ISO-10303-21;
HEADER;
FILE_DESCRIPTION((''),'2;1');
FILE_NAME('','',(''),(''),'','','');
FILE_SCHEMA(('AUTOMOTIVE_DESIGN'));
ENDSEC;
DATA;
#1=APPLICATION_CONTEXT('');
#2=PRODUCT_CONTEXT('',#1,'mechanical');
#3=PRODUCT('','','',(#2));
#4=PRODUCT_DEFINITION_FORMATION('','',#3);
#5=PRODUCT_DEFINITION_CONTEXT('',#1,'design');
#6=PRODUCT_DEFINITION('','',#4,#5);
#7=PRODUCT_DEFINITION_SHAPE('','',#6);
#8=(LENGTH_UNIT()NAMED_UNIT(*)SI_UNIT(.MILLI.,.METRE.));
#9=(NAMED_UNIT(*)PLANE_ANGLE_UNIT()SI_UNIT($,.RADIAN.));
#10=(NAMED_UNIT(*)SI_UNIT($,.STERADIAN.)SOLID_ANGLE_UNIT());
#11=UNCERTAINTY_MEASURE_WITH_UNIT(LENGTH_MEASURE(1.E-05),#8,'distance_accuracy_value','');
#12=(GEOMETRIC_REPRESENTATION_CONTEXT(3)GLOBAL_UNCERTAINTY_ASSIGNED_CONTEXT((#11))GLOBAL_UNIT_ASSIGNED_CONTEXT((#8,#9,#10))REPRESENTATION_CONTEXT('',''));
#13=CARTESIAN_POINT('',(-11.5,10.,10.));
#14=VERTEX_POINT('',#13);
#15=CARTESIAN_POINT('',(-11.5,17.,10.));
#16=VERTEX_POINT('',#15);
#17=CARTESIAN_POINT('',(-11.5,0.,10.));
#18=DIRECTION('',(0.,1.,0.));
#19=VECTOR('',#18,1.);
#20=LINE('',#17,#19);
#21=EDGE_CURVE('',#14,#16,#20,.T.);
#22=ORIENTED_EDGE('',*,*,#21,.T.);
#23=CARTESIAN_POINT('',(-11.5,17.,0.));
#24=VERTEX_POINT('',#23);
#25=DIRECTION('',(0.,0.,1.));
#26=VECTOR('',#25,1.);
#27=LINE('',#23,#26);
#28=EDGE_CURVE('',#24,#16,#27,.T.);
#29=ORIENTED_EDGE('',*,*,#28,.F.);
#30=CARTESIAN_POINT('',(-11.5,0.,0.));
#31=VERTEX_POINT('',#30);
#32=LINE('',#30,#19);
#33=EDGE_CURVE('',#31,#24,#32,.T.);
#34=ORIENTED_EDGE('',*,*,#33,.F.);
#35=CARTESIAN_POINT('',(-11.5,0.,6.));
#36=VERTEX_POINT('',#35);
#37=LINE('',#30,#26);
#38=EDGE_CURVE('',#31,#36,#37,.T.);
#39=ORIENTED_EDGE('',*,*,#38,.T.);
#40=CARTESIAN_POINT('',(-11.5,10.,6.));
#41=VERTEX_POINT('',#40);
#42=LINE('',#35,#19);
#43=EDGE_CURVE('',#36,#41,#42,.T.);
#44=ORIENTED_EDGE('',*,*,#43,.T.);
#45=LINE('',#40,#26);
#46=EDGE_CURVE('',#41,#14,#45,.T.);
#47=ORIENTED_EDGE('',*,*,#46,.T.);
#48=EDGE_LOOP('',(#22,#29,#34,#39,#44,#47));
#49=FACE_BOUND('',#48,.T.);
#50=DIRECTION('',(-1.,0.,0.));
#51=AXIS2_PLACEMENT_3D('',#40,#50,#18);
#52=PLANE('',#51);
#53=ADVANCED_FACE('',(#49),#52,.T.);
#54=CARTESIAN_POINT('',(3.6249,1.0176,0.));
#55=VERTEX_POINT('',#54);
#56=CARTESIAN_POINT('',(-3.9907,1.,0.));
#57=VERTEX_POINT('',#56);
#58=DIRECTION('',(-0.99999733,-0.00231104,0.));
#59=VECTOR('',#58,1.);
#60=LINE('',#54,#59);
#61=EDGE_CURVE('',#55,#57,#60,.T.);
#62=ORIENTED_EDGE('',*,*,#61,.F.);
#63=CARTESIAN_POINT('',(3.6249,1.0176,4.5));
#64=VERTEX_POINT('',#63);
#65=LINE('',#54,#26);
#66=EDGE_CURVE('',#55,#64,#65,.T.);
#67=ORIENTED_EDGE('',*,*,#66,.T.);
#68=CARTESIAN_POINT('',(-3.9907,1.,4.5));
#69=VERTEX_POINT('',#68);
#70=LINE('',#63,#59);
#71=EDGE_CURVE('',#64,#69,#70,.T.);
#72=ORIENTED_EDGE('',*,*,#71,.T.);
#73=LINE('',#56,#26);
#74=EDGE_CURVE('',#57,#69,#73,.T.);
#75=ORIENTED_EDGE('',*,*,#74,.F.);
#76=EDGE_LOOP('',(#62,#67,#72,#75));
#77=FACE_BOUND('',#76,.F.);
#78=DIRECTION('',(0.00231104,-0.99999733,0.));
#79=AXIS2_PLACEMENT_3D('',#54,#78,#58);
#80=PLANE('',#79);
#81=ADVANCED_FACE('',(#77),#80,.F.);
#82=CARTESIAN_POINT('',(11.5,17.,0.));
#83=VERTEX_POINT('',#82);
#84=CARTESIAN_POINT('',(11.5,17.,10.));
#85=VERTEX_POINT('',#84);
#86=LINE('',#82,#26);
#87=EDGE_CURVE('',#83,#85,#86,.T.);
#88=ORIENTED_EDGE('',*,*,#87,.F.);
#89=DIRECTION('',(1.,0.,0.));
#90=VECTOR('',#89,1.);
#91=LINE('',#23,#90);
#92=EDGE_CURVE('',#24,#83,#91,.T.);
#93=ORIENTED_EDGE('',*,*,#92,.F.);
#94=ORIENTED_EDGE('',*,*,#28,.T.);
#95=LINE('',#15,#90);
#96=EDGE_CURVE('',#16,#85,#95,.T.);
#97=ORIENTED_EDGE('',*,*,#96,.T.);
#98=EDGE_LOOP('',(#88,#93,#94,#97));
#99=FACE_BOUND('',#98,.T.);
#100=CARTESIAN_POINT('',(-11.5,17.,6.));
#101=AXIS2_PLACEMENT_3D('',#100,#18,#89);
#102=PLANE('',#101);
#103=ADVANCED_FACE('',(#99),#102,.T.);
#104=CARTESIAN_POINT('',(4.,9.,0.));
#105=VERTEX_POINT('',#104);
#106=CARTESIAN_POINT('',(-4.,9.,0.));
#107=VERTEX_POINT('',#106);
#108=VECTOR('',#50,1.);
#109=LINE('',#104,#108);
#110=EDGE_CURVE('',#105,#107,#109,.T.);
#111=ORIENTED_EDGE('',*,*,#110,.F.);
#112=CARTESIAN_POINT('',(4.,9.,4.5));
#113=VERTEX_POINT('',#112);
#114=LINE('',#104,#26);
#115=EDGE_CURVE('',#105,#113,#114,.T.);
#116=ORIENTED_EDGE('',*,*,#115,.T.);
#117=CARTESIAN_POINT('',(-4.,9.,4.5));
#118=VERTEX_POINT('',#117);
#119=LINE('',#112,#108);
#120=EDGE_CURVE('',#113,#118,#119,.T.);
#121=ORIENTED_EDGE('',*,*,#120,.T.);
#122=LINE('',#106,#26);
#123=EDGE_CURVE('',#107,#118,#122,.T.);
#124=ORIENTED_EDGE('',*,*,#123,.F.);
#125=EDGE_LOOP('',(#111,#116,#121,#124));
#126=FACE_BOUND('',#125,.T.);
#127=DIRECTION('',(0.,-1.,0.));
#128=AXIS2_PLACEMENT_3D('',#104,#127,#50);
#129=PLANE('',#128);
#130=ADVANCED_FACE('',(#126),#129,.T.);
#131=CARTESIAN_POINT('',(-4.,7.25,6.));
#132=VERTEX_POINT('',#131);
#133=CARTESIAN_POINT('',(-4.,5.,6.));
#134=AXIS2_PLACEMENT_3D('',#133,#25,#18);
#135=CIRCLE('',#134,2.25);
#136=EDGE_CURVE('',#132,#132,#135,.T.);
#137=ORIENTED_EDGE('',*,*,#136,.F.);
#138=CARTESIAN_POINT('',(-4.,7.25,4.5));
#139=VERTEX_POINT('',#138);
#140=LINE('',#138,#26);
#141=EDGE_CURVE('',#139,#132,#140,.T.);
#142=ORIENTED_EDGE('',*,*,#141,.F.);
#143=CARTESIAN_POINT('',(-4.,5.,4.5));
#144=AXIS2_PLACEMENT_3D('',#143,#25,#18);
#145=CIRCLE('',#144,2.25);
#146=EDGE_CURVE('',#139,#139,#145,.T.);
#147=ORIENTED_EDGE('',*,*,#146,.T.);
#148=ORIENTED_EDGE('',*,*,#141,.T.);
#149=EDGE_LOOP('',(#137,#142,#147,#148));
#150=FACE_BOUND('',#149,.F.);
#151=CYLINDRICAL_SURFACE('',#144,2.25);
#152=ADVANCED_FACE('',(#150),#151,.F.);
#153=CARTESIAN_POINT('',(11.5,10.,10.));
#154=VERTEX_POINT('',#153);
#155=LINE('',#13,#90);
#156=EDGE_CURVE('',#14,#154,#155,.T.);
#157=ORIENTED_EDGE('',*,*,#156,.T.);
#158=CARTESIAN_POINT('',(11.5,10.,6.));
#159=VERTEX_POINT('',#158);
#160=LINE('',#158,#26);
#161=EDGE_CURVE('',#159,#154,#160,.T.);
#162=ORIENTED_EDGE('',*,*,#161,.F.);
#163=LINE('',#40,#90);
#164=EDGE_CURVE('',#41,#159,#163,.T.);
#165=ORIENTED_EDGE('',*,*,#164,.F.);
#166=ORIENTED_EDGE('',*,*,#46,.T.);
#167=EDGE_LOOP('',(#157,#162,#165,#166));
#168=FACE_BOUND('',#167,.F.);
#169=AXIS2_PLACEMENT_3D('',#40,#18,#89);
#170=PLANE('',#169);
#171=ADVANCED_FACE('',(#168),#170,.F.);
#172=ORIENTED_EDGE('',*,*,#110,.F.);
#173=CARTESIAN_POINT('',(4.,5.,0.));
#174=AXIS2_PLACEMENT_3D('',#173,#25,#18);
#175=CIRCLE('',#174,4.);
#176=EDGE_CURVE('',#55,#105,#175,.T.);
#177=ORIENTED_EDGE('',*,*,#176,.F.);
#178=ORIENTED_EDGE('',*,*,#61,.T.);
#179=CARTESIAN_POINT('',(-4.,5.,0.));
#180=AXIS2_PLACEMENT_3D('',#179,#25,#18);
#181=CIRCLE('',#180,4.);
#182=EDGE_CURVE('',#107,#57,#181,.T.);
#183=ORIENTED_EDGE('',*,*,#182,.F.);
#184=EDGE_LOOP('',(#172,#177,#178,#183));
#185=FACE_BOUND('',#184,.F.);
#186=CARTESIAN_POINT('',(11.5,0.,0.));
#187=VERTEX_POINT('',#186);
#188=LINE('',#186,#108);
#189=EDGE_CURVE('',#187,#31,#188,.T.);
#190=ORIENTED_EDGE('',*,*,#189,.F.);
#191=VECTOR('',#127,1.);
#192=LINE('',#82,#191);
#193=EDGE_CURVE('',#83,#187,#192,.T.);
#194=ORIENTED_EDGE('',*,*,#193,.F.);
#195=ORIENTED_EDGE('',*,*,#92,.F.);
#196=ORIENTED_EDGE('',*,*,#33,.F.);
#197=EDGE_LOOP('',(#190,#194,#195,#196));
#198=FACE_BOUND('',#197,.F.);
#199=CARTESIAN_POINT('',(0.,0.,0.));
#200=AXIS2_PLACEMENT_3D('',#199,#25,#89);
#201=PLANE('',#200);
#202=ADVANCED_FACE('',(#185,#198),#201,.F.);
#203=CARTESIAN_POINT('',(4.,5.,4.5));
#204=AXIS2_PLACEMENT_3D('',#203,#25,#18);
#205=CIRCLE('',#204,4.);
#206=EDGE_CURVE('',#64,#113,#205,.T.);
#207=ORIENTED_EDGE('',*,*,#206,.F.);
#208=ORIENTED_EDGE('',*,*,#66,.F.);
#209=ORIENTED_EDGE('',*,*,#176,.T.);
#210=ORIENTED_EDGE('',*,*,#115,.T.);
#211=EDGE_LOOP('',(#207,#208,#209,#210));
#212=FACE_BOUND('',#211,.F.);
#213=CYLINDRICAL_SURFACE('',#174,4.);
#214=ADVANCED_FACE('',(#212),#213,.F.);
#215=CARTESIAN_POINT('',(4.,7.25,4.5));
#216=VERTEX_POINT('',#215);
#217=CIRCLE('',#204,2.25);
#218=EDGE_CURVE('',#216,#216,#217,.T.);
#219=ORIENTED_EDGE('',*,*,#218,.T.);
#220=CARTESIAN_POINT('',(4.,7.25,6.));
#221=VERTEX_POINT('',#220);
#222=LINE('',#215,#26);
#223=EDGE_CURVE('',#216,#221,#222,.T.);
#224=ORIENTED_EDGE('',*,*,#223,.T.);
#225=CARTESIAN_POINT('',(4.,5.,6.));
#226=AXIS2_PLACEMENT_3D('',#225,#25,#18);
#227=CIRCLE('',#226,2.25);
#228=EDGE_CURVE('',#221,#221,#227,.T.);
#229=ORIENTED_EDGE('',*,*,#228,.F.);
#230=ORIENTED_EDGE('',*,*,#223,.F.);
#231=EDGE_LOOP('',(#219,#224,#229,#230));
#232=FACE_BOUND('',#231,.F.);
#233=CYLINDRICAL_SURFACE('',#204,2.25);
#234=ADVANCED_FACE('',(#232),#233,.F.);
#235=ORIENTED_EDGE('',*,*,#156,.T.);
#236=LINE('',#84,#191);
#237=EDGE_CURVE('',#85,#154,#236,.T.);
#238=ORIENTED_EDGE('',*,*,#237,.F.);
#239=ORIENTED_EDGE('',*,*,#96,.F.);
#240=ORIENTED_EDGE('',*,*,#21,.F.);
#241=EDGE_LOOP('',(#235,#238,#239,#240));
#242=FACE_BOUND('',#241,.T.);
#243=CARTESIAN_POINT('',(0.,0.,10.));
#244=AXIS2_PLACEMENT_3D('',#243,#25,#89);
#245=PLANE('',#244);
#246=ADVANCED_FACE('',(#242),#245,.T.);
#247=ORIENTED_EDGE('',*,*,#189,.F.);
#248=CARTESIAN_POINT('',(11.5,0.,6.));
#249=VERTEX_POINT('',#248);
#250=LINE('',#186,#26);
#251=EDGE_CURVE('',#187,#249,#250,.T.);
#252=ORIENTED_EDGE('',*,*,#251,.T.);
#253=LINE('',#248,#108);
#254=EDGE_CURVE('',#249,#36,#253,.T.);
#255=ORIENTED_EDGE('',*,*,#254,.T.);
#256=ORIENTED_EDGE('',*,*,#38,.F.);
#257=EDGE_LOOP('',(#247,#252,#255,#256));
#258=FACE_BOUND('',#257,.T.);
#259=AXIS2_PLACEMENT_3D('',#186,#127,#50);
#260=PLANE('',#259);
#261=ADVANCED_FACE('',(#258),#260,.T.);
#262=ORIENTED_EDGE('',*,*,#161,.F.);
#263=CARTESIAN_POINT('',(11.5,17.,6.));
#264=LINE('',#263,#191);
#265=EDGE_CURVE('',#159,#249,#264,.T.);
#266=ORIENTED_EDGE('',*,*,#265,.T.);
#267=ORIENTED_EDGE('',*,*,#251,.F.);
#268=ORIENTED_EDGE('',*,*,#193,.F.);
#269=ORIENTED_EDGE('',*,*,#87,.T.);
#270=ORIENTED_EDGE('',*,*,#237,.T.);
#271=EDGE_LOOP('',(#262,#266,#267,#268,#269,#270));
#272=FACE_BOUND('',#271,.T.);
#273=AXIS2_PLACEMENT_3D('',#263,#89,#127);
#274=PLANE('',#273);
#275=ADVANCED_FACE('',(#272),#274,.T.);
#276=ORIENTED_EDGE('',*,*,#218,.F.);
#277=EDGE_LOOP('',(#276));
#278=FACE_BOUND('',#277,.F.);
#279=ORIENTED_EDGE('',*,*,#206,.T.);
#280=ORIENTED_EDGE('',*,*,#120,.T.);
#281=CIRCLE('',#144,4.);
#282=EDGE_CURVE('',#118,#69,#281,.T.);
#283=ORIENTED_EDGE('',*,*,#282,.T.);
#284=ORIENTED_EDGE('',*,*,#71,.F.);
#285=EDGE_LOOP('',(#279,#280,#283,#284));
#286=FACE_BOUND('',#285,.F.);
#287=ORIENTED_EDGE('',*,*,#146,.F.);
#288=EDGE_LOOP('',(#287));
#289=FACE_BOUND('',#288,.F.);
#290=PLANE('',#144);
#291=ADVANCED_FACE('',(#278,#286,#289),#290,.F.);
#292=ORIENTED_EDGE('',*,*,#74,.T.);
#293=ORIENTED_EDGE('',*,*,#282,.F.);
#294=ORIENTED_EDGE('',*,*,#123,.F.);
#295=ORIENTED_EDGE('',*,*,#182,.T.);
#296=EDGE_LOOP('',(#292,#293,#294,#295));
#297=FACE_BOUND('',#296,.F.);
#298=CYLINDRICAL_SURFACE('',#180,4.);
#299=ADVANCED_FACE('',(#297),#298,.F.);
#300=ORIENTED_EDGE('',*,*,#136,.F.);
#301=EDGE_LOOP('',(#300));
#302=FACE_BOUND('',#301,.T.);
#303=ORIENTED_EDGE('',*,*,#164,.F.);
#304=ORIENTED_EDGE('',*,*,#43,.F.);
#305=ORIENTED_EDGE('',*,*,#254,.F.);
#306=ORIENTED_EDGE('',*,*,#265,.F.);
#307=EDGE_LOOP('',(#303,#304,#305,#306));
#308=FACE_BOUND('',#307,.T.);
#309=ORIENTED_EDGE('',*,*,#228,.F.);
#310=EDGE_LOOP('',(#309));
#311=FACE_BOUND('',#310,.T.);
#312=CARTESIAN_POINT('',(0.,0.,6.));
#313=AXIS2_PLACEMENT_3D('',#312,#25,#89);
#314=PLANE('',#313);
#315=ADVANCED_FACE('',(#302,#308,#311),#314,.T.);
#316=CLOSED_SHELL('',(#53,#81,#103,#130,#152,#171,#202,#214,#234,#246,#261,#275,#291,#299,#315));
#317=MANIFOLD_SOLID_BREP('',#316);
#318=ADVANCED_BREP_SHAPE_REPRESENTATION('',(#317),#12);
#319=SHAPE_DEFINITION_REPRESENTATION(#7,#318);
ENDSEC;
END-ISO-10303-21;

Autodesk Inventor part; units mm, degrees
ref_plane "YZ Plane" through (0, 0, 0) normal (1, 0, 0) x (0, 1, 0)
ref_plane "XZ Plane" through (0, 0, 0) normal (0, 1, 0) x (-1, 0, 0)
ref_plane "XY Plane" through (0, 0, 0) normal (0, 0, 1) x (1, 0, 0)
sketch "スケッチ1" plane through (0, 0, 0) normal (0, 0, 1) x (1, 0, 0)
  line L0 (-11.5, 17) -> (11.5, 17)
  line L1 (11.5, 17) -> (11.5, 0)
  line L2 (11.5, 0) -> (-11.5, 0)
  line L3 (-11.5, 0) -> (-11.5, 17)
  point P0 (0, 0)
  point P1 (0, 0)
  dimension "d0" = 23
  dimension "d1" = 17
extrude "押し出し1" add sketch "スケッチ1" along normal blind 6
sketch "スケッチ5" plane through (0, 0, 0) normal (0, 0, -1) x (-1, 0, 0)
  line L0 (-11.5, 0) -> (11.5, 0) projected
  point P0 (0, 0)
  point P1 (-4, 5)
  point P2 (4, 5)
  dimension "d13" = 4
  dimension "d14" = 4
  dimension "d15" = 5
hole "穴1" at (4, 5, 0) at (-4, 5, 0) direction (0, 0, 1) diameter 4.5 end through all counterbore diameter 8 counterbore depth 4.5
sketch "スケッチ6" plane through (0, 0, 0) normal (0, 0, -1) x (-1, 0, 0)
  circle A0 centre (4, 5) radius 4 projected
  circle A1 centre (-4, 5) radius 4 projected
  line L0 (-4, 9) -> (4, 9)
  line L1 (-3.6249, 1.0176) -> (3.9907, 1)
  point P0 (0, 5)
  point P1 (0, 0)
extrude "押し出し5" cut sketch "スケッチ6" against normal up to surface (4.5 mm away) contours A0 A1 L0 | L1 A1 A0
sketch "スケッチ9" plane through (0, 0, 6) normal (0, 0, 1) x (1, 0, 0)
  line L0 (11.5, 17) -> (11.5, 0) projected
  line L1 (-11.5, 17) -> (11.5, 17) projected
  line L2 (-11.5, 0) -> (-11.5, 17) projected
  line L3 (11.5, 0) -> (-11.5, 0) projected
  line L4 (-11.5, 10) -> (11.5, 10)
  point P0 (0, 0)
  dimension "d32" = 10
extrude "押し出し8" add sketch "スケッチ9" along normal blind 4 contours L0 L4 L2 L1
equation "\"d14\" = d13"
properties part number "05" material "SUS303"
